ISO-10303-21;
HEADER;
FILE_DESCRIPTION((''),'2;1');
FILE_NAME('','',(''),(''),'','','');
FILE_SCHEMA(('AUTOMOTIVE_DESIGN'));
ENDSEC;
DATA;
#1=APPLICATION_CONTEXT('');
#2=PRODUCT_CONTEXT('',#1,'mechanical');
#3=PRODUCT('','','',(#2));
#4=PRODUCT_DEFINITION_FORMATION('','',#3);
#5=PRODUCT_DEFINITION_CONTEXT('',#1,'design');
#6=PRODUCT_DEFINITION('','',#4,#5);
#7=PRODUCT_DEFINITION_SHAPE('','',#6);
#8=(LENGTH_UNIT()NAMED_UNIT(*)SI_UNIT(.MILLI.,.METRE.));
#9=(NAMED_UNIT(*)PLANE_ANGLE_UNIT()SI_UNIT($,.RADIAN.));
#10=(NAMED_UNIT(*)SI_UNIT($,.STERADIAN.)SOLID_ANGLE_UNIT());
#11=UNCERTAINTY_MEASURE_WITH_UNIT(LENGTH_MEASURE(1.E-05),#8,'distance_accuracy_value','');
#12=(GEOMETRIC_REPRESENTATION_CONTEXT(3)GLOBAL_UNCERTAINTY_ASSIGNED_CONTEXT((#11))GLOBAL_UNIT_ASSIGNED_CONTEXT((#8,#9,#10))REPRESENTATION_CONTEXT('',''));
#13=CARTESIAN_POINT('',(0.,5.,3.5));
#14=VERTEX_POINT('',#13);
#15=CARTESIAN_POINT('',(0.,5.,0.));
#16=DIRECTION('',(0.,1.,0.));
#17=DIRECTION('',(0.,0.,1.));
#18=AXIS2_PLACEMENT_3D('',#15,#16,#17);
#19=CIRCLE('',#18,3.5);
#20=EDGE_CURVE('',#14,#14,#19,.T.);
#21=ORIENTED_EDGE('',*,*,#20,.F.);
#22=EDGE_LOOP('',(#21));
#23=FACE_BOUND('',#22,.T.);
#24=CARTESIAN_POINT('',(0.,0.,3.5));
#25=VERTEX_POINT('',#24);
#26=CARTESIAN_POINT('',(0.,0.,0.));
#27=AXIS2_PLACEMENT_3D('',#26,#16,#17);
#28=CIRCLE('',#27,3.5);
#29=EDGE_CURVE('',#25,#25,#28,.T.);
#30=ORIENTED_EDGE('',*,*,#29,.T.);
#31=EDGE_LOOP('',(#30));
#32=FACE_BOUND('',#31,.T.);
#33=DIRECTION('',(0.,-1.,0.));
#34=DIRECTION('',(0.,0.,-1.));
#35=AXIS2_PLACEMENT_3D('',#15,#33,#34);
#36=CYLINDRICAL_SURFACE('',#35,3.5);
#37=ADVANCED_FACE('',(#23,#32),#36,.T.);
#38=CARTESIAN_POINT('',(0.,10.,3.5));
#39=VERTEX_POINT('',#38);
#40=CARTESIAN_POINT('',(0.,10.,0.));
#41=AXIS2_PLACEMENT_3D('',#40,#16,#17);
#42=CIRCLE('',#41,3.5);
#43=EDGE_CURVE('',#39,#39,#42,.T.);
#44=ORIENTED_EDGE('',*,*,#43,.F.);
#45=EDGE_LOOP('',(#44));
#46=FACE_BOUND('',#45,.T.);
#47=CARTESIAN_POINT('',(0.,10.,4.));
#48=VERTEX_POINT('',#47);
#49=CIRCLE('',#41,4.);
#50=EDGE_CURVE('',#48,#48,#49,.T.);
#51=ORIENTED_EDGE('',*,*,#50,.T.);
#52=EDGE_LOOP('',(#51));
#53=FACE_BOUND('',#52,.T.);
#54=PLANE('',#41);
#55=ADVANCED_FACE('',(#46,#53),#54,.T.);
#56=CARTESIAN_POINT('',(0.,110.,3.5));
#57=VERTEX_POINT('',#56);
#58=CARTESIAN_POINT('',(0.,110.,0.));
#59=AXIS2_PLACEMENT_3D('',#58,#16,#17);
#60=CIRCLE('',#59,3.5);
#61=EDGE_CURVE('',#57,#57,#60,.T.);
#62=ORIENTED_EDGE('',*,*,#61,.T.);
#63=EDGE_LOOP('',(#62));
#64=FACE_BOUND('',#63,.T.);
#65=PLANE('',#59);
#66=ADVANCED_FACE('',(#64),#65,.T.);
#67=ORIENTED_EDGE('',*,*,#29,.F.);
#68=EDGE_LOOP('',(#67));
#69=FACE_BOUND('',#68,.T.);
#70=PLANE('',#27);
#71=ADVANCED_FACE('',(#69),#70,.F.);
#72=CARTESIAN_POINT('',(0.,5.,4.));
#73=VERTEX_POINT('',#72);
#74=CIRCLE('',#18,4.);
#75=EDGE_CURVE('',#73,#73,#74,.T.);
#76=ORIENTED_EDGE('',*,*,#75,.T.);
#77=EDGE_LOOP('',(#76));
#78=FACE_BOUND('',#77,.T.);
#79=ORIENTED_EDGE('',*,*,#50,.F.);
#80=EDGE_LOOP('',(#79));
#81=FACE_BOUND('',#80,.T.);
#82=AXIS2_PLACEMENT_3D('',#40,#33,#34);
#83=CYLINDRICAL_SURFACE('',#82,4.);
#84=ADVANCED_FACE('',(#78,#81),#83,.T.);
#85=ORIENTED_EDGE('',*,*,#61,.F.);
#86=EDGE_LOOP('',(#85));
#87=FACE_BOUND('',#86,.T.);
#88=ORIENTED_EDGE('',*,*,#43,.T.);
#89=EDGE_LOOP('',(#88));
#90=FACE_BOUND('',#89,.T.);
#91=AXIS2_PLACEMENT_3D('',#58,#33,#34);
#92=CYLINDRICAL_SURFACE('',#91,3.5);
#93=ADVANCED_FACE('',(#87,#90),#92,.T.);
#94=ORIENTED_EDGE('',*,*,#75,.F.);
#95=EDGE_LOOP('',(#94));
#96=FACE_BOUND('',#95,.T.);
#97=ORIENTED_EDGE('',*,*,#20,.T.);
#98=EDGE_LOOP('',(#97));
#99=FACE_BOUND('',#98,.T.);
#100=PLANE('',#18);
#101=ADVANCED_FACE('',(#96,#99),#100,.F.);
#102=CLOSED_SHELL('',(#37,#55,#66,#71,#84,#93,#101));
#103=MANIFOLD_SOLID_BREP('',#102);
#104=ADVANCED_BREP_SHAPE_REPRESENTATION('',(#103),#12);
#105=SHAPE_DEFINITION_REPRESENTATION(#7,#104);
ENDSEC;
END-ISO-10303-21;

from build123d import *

# Parameters (mm, degrees)
SKETCH1_R           = 3.5
BOSS_EXTRUDE1_DEPTH = 5
SKETCH2_R           = 4
BOSS_EXTRUDE2_DEPTH = 5
SKETCH3_R           = 3.5
BOSS_EXTRUDE3_DEPTH = 100


with BuildPart() as part:
    # Sketch1 → Boss-Extrude1 (new body)
    with BuildSketch(Plane(origin=(0, 0, 0), x_dir=(1, 0, 0), z_dir=(0, 1, 0))):
        with Locations(Location((0, 0, 0), (0, 0, 270))):  # turned: the seam where the file's is
            Circle(SKETCH1_R)
    extrude(amount=BOSS_EXTRUDE1_DEPTH)

    # Sketch2 → Boss-Extrude2 (add)
    with BuildSketch(Plane(origin=(0, 5, 0), x_dir=(1, 0, 0), z_dir=(0, 1, 0))):
        with Locations(Location((0, 0, 0), (0, 0, 270))):  # turned: the seam where the file's is
            Circle(SKETCH2_R)
    extrude(amount=BOSS_EXTRUDE2_DEPTH)

    # Sketch3 → Boss-Extrude3 (add)
    with BuildSketch(Plane(origin=(0, 10, 0), x_dir=(1, 0, 0), z_dir=(0, 1, 0))):
        with Locations(Location((0, 0, 0), (0, 0, 270))):  # turned: the seam where the file's is
            Circle(SKETCH3_R)
    extrude(amount=BOSS_EXTRUDE3_DEPTH)


solid = part.part
